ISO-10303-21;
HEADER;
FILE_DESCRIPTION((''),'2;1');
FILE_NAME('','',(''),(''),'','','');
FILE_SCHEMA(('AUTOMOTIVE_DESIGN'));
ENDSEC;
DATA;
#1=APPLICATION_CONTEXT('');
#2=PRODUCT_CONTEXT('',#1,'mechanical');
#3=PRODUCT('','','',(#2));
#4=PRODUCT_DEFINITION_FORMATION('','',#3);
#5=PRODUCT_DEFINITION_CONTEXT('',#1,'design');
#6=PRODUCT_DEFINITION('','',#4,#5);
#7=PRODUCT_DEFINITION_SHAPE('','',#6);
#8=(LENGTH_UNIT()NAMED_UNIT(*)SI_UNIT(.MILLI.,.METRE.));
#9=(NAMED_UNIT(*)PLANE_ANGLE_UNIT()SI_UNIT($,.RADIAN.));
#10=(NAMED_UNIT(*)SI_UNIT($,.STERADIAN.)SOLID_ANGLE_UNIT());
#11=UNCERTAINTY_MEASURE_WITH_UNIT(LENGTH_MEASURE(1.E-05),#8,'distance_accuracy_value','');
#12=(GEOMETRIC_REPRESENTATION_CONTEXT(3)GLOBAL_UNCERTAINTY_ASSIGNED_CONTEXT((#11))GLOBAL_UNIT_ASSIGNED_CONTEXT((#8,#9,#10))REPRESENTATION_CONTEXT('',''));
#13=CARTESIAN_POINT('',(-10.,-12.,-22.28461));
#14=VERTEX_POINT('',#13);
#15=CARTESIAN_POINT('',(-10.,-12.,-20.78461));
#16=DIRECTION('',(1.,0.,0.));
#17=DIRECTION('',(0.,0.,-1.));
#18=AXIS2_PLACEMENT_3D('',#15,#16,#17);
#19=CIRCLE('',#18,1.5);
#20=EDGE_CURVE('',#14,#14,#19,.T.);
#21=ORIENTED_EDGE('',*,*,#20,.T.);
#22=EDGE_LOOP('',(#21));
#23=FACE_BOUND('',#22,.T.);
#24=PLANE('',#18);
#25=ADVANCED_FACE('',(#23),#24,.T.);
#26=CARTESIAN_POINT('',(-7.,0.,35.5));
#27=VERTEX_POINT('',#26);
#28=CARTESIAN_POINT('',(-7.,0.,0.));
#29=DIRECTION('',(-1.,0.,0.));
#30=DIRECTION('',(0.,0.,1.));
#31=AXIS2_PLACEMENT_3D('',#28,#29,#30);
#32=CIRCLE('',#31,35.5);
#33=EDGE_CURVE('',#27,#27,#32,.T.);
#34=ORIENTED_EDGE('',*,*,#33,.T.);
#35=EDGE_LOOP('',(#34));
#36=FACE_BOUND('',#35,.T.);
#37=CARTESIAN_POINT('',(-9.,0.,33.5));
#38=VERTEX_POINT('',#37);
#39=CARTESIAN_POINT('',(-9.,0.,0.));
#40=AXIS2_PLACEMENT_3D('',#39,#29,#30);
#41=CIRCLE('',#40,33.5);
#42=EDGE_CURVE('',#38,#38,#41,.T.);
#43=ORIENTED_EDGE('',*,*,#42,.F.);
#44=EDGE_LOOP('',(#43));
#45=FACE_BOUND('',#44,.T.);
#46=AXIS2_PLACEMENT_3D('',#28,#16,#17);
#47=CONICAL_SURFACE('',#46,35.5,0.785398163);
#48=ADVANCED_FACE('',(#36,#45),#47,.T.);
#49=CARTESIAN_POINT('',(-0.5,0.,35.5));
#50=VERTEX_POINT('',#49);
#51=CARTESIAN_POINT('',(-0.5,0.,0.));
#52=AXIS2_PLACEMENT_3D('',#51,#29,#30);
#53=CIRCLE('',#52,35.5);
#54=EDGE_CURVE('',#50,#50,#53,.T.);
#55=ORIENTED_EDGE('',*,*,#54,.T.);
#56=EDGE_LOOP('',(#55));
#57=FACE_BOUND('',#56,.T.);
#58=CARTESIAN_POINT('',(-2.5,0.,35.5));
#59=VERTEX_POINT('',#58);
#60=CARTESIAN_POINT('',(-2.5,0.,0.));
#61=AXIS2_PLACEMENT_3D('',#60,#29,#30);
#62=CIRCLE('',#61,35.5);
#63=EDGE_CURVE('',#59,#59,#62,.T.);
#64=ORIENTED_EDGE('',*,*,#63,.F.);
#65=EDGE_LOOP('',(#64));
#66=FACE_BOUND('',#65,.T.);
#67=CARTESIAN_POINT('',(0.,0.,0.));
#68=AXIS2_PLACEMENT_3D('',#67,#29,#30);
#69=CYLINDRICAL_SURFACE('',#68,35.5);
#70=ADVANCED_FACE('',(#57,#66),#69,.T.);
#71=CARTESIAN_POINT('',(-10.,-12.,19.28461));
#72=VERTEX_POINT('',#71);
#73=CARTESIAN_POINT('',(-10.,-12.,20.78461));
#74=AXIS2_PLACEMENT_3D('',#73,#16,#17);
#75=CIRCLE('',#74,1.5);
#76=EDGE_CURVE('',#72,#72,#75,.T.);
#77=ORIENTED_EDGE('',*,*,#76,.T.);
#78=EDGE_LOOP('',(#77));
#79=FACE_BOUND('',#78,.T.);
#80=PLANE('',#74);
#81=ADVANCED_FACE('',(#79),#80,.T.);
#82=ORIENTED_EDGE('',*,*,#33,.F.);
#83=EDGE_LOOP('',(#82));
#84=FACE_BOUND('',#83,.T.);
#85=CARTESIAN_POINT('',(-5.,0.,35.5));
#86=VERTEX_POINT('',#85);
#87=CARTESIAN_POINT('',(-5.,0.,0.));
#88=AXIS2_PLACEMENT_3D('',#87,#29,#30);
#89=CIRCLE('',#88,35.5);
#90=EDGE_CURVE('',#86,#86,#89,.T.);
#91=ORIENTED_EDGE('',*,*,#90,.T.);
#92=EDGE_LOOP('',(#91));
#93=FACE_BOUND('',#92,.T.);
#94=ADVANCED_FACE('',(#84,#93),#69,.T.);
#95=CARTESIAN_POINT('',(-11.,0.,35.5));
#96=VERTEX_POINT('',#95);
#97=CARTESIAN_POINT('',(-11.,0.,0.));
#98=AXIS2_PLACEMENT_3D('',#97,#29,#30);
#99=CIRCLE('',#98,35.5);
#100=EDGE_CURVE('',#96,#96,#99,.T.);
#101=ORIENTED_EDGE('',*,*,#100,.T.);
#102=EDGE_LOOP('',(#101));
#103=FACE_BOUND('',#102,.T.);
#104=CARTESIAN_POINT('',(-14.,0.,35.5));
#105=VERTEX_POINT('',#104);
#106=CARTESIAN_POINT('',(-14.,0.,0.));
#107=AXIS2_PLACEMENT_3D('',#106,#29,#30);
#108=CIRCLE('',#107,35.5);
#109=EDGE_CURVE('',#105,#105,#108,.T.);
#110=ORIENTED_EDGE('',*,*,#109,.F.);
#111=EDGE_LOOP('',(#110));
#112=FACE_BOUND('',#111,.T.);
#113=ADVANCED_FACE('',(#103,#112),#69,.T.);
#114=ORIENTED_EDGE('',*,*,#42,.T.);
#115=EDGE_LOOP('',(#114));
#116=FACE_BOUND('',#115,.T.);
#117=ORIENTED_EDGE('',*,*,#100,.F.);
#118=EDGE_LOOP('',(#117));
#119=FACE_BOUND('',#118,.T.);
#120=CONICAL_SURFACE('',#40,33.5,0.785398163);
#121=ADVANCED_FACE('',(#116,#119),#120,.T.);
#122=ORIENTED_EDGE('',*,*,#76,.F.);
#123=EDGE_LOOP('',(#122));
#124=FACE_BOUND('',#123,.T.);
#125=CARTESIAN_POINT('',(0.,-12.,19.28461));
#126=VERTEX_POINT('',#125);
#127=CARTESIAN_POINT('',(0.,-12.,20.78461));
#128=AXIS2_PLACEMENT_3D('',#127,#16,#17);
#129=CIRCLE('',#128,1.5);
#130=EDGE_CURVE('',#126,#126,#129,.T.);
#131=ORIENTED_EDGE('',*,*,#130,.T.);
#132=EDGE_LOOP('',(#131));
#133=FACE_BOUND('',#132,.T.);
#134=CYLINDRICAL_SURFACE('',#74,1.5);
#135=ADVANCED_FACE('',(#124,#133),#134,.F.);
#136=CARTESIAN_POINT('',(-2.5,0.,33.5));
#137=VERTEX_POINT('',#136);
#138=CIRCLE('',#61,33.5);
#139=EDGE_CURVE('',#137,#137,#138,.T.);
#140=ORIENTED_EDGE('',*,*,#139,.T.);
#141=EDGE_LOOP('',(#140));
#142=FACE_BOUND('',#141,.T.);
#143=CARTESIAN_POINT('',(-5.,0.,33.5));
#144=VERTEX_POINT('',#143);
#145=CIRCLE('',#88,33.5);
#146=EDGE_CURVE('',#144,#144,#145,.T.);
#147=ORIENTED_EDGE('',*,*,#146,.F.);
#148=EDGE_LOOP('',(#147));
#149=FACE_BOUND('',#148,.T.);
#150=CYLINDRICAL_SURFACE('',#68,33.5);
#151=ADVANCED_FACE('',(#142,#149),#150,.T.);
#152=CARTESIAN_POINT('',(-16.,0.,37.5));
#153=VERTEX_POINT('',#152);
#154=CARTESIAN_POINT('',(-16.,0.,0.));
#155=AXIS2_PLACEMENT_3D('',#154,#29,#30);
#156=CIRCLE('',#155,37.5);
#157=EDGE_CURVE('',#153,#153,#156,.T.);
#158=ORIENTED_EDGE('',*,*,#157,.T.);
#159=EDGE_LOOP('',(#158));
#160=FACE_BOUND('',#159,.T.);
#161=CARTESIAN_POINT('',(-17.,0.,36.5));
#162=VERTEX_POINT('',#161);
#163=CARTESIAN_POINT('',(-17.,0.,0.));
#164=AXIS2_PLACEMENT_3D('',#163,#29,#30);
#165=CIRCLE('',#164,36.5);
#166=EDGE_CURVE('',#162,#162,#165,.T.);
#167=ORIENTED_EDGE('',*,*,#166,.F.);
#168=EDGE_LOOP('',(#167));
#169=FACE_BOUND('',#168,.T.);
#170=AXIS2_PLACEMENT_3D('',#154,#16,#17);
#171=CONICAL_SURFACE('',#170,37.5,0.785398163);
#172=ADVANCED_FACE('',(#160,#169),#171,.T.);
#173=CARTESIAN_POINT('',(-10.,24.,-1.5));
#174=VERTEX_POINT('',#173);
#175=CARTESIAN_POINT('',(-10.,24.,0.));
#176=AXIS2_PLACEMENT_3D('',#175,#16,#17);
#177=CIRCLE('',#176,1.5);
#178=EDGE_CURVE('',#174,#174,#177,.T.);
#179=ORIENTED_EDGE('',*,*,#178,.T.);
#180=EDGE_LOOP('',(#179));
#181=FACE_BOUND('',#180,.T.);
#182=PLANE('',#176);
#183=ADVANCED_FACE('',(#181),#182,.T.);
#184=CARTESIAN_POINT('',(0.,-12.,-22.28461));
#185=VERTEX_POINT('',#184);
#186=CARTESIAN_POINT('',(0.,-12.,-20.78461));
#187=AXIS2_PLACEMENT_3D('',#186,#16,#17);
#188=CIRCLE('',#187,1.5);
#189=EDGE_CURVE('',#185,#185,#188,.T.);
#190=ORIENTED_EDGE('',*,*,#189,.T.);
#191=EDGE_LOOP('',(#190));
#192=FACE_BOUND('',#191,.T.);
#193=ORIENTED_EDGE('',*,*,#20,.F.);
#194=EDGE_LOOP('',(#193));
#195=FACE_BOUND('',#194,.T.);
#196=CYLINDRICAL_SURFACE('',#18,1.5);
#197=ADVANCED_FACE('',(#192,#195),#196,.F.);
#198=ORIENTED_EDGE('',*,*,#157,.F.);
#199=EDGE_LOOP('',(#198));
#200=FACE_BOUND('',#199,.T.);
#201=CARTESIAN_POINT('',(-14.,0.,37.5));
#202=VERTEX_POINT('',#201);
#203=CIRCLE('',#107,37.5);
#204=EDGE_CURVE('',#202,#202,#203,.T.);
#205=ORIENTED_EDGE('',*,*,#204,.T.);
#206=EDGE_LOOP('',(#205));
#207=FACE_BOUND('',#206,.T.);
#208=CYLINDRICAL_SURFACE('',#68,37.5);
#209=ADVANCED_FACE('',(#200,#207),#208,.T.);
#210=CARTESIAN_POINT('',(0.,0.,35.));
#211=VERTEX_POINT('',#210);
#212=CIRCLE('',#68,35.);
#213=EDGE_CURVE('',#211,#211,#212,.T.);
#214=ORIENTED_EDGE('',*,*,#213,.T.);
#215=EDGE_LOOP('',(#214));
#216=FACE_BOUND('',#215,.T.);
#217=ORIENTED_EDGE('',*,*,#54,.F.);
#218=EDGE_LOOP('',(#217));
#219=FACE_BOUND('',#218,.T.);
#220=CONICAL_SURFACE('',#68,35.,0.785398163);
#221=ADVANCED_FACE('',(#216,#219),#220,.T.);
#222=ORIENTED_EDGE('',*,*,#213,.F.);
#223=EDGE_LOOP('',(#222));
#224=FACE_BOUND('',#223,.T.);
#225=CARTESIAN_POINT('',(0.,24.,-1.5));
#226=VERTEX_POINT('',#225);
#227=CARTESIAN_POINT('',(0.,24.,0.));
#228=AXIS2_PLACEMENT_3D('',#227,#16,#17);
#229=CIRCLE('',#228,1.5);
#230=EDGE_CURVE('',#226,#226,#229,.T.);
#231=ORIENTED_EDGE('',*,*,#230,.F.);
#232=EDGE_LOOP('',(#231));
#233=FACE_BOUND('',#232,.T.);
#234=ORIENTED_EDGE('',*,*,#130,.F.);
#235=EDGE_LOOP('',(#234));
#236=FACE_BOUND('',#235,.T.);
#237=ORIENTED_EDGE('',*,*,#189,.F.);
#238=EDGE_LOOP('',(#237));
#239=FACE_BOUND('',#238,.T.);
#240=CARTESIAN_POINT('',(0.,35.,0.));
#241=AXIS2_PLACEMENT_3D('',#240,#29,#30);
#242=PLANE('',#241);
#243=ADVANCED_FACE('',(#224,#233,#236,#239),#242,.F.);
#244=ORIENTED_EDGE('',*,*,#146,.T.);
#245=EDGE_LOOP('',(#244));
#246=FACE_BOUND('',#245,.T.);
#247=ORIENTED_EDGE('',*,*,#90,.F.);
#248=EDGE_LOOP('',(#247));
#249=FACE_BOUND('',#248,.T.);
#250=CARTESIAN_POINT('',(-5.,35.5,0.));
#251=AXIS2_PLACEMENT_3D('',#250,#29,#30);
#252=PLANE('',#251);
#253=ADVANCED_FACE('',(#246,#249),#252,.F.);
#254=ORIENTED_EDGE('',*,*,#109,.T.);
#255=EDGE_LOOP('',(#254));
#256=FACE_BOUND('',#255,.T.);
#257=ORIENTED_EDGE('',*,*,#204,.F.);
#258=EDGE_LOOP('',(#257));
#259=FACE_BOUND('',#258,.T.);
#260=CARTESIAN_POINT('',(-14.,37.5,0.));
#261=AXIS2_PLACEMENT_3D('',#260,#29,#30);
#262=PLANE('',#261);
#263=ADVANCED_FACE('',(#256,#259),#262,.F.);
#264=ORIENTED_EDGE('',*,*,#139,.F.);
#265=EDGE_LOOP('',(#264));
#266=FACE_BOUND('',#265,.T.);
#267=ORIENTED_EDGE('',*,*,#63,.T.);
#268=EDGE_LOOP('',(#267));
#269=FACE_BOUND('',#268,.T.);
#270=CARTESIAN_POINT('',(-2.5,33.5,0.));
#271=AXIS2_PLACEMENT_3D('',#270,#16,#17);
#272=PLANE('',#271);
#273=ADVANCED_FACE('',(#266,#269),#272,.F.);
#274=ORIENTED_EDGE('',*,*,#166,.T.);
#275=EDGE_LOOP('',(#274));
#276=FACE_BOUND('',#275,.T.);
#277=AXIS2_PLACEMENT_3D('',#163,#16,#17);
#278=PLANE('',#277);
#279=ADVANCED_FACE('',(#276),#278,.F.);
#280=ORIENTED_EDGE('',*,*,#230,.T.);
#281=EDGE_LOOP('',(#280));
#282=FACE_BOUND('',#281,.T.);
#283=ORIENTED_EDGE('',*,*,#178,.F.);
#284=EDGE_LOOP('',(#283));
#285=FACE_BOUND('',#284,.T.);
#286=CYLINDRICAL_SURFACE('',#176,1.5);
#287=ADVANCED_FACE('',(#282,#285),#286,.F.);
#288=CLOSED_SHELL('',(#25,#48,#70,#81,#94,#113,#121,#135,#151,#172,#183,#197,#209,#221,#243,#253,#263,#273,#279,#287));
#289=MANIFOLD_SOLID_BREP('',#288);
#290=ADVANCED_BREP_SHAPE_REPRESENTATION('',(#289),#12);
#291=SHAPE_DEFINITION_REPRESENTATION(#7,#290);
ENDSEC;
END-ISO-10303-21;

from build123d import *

# Parameters (mm, degrees)
SKETCH_2_R          = 1.5
CUT_EXTRUDE_1_DEPTH = 10


with BuildPart() as part:
    # Эскиз1 → Повернуть1 (revolve)
    with BuildSketch(Plane.XY, mode=Mode.PRIVATE) as revolve_1_sk:
        Polygon((-17, 0), (-17, 36.5), (-16, 37.5), (-14, 37.5), (-14, 35.5), (-11, 35.5), (-9, 33.5), (-7, 35.5), (-5, 35.5), (-5, 33.5), (-2.5, 33.5), (-2.5, 35.5), (-0.5, 35.5), (0, 35), (0, 0), align=None)
    revolve(revolve_1_sk.sketch.rotate(Axis((0, 0, 0), (1, 0, 0)), 90), axis=Axis((0, 0, 0), (1, 0, 0)))

    # Эскиз2 → Вырез-Вытянуть1 (cut)
    with BuildSketch(Plane(origin=(0, 0, 0), x_dir=(0, 0, -1), z_dir=(1, 0, 0))):
        with Locations((20.784609691, -12)):
            Circle(SKETCH_2_R)
        with Locations((0, 24)):
            Circle(SKETCH_2_R)
        with Locations((-20.784609691, -12)):
            Circle(SKETCH_2_R)
    extrude(amount=-CUT_EXTRUDE_1_DEPTH, mode=Mode.SUBTRACT)


solid = part.part
